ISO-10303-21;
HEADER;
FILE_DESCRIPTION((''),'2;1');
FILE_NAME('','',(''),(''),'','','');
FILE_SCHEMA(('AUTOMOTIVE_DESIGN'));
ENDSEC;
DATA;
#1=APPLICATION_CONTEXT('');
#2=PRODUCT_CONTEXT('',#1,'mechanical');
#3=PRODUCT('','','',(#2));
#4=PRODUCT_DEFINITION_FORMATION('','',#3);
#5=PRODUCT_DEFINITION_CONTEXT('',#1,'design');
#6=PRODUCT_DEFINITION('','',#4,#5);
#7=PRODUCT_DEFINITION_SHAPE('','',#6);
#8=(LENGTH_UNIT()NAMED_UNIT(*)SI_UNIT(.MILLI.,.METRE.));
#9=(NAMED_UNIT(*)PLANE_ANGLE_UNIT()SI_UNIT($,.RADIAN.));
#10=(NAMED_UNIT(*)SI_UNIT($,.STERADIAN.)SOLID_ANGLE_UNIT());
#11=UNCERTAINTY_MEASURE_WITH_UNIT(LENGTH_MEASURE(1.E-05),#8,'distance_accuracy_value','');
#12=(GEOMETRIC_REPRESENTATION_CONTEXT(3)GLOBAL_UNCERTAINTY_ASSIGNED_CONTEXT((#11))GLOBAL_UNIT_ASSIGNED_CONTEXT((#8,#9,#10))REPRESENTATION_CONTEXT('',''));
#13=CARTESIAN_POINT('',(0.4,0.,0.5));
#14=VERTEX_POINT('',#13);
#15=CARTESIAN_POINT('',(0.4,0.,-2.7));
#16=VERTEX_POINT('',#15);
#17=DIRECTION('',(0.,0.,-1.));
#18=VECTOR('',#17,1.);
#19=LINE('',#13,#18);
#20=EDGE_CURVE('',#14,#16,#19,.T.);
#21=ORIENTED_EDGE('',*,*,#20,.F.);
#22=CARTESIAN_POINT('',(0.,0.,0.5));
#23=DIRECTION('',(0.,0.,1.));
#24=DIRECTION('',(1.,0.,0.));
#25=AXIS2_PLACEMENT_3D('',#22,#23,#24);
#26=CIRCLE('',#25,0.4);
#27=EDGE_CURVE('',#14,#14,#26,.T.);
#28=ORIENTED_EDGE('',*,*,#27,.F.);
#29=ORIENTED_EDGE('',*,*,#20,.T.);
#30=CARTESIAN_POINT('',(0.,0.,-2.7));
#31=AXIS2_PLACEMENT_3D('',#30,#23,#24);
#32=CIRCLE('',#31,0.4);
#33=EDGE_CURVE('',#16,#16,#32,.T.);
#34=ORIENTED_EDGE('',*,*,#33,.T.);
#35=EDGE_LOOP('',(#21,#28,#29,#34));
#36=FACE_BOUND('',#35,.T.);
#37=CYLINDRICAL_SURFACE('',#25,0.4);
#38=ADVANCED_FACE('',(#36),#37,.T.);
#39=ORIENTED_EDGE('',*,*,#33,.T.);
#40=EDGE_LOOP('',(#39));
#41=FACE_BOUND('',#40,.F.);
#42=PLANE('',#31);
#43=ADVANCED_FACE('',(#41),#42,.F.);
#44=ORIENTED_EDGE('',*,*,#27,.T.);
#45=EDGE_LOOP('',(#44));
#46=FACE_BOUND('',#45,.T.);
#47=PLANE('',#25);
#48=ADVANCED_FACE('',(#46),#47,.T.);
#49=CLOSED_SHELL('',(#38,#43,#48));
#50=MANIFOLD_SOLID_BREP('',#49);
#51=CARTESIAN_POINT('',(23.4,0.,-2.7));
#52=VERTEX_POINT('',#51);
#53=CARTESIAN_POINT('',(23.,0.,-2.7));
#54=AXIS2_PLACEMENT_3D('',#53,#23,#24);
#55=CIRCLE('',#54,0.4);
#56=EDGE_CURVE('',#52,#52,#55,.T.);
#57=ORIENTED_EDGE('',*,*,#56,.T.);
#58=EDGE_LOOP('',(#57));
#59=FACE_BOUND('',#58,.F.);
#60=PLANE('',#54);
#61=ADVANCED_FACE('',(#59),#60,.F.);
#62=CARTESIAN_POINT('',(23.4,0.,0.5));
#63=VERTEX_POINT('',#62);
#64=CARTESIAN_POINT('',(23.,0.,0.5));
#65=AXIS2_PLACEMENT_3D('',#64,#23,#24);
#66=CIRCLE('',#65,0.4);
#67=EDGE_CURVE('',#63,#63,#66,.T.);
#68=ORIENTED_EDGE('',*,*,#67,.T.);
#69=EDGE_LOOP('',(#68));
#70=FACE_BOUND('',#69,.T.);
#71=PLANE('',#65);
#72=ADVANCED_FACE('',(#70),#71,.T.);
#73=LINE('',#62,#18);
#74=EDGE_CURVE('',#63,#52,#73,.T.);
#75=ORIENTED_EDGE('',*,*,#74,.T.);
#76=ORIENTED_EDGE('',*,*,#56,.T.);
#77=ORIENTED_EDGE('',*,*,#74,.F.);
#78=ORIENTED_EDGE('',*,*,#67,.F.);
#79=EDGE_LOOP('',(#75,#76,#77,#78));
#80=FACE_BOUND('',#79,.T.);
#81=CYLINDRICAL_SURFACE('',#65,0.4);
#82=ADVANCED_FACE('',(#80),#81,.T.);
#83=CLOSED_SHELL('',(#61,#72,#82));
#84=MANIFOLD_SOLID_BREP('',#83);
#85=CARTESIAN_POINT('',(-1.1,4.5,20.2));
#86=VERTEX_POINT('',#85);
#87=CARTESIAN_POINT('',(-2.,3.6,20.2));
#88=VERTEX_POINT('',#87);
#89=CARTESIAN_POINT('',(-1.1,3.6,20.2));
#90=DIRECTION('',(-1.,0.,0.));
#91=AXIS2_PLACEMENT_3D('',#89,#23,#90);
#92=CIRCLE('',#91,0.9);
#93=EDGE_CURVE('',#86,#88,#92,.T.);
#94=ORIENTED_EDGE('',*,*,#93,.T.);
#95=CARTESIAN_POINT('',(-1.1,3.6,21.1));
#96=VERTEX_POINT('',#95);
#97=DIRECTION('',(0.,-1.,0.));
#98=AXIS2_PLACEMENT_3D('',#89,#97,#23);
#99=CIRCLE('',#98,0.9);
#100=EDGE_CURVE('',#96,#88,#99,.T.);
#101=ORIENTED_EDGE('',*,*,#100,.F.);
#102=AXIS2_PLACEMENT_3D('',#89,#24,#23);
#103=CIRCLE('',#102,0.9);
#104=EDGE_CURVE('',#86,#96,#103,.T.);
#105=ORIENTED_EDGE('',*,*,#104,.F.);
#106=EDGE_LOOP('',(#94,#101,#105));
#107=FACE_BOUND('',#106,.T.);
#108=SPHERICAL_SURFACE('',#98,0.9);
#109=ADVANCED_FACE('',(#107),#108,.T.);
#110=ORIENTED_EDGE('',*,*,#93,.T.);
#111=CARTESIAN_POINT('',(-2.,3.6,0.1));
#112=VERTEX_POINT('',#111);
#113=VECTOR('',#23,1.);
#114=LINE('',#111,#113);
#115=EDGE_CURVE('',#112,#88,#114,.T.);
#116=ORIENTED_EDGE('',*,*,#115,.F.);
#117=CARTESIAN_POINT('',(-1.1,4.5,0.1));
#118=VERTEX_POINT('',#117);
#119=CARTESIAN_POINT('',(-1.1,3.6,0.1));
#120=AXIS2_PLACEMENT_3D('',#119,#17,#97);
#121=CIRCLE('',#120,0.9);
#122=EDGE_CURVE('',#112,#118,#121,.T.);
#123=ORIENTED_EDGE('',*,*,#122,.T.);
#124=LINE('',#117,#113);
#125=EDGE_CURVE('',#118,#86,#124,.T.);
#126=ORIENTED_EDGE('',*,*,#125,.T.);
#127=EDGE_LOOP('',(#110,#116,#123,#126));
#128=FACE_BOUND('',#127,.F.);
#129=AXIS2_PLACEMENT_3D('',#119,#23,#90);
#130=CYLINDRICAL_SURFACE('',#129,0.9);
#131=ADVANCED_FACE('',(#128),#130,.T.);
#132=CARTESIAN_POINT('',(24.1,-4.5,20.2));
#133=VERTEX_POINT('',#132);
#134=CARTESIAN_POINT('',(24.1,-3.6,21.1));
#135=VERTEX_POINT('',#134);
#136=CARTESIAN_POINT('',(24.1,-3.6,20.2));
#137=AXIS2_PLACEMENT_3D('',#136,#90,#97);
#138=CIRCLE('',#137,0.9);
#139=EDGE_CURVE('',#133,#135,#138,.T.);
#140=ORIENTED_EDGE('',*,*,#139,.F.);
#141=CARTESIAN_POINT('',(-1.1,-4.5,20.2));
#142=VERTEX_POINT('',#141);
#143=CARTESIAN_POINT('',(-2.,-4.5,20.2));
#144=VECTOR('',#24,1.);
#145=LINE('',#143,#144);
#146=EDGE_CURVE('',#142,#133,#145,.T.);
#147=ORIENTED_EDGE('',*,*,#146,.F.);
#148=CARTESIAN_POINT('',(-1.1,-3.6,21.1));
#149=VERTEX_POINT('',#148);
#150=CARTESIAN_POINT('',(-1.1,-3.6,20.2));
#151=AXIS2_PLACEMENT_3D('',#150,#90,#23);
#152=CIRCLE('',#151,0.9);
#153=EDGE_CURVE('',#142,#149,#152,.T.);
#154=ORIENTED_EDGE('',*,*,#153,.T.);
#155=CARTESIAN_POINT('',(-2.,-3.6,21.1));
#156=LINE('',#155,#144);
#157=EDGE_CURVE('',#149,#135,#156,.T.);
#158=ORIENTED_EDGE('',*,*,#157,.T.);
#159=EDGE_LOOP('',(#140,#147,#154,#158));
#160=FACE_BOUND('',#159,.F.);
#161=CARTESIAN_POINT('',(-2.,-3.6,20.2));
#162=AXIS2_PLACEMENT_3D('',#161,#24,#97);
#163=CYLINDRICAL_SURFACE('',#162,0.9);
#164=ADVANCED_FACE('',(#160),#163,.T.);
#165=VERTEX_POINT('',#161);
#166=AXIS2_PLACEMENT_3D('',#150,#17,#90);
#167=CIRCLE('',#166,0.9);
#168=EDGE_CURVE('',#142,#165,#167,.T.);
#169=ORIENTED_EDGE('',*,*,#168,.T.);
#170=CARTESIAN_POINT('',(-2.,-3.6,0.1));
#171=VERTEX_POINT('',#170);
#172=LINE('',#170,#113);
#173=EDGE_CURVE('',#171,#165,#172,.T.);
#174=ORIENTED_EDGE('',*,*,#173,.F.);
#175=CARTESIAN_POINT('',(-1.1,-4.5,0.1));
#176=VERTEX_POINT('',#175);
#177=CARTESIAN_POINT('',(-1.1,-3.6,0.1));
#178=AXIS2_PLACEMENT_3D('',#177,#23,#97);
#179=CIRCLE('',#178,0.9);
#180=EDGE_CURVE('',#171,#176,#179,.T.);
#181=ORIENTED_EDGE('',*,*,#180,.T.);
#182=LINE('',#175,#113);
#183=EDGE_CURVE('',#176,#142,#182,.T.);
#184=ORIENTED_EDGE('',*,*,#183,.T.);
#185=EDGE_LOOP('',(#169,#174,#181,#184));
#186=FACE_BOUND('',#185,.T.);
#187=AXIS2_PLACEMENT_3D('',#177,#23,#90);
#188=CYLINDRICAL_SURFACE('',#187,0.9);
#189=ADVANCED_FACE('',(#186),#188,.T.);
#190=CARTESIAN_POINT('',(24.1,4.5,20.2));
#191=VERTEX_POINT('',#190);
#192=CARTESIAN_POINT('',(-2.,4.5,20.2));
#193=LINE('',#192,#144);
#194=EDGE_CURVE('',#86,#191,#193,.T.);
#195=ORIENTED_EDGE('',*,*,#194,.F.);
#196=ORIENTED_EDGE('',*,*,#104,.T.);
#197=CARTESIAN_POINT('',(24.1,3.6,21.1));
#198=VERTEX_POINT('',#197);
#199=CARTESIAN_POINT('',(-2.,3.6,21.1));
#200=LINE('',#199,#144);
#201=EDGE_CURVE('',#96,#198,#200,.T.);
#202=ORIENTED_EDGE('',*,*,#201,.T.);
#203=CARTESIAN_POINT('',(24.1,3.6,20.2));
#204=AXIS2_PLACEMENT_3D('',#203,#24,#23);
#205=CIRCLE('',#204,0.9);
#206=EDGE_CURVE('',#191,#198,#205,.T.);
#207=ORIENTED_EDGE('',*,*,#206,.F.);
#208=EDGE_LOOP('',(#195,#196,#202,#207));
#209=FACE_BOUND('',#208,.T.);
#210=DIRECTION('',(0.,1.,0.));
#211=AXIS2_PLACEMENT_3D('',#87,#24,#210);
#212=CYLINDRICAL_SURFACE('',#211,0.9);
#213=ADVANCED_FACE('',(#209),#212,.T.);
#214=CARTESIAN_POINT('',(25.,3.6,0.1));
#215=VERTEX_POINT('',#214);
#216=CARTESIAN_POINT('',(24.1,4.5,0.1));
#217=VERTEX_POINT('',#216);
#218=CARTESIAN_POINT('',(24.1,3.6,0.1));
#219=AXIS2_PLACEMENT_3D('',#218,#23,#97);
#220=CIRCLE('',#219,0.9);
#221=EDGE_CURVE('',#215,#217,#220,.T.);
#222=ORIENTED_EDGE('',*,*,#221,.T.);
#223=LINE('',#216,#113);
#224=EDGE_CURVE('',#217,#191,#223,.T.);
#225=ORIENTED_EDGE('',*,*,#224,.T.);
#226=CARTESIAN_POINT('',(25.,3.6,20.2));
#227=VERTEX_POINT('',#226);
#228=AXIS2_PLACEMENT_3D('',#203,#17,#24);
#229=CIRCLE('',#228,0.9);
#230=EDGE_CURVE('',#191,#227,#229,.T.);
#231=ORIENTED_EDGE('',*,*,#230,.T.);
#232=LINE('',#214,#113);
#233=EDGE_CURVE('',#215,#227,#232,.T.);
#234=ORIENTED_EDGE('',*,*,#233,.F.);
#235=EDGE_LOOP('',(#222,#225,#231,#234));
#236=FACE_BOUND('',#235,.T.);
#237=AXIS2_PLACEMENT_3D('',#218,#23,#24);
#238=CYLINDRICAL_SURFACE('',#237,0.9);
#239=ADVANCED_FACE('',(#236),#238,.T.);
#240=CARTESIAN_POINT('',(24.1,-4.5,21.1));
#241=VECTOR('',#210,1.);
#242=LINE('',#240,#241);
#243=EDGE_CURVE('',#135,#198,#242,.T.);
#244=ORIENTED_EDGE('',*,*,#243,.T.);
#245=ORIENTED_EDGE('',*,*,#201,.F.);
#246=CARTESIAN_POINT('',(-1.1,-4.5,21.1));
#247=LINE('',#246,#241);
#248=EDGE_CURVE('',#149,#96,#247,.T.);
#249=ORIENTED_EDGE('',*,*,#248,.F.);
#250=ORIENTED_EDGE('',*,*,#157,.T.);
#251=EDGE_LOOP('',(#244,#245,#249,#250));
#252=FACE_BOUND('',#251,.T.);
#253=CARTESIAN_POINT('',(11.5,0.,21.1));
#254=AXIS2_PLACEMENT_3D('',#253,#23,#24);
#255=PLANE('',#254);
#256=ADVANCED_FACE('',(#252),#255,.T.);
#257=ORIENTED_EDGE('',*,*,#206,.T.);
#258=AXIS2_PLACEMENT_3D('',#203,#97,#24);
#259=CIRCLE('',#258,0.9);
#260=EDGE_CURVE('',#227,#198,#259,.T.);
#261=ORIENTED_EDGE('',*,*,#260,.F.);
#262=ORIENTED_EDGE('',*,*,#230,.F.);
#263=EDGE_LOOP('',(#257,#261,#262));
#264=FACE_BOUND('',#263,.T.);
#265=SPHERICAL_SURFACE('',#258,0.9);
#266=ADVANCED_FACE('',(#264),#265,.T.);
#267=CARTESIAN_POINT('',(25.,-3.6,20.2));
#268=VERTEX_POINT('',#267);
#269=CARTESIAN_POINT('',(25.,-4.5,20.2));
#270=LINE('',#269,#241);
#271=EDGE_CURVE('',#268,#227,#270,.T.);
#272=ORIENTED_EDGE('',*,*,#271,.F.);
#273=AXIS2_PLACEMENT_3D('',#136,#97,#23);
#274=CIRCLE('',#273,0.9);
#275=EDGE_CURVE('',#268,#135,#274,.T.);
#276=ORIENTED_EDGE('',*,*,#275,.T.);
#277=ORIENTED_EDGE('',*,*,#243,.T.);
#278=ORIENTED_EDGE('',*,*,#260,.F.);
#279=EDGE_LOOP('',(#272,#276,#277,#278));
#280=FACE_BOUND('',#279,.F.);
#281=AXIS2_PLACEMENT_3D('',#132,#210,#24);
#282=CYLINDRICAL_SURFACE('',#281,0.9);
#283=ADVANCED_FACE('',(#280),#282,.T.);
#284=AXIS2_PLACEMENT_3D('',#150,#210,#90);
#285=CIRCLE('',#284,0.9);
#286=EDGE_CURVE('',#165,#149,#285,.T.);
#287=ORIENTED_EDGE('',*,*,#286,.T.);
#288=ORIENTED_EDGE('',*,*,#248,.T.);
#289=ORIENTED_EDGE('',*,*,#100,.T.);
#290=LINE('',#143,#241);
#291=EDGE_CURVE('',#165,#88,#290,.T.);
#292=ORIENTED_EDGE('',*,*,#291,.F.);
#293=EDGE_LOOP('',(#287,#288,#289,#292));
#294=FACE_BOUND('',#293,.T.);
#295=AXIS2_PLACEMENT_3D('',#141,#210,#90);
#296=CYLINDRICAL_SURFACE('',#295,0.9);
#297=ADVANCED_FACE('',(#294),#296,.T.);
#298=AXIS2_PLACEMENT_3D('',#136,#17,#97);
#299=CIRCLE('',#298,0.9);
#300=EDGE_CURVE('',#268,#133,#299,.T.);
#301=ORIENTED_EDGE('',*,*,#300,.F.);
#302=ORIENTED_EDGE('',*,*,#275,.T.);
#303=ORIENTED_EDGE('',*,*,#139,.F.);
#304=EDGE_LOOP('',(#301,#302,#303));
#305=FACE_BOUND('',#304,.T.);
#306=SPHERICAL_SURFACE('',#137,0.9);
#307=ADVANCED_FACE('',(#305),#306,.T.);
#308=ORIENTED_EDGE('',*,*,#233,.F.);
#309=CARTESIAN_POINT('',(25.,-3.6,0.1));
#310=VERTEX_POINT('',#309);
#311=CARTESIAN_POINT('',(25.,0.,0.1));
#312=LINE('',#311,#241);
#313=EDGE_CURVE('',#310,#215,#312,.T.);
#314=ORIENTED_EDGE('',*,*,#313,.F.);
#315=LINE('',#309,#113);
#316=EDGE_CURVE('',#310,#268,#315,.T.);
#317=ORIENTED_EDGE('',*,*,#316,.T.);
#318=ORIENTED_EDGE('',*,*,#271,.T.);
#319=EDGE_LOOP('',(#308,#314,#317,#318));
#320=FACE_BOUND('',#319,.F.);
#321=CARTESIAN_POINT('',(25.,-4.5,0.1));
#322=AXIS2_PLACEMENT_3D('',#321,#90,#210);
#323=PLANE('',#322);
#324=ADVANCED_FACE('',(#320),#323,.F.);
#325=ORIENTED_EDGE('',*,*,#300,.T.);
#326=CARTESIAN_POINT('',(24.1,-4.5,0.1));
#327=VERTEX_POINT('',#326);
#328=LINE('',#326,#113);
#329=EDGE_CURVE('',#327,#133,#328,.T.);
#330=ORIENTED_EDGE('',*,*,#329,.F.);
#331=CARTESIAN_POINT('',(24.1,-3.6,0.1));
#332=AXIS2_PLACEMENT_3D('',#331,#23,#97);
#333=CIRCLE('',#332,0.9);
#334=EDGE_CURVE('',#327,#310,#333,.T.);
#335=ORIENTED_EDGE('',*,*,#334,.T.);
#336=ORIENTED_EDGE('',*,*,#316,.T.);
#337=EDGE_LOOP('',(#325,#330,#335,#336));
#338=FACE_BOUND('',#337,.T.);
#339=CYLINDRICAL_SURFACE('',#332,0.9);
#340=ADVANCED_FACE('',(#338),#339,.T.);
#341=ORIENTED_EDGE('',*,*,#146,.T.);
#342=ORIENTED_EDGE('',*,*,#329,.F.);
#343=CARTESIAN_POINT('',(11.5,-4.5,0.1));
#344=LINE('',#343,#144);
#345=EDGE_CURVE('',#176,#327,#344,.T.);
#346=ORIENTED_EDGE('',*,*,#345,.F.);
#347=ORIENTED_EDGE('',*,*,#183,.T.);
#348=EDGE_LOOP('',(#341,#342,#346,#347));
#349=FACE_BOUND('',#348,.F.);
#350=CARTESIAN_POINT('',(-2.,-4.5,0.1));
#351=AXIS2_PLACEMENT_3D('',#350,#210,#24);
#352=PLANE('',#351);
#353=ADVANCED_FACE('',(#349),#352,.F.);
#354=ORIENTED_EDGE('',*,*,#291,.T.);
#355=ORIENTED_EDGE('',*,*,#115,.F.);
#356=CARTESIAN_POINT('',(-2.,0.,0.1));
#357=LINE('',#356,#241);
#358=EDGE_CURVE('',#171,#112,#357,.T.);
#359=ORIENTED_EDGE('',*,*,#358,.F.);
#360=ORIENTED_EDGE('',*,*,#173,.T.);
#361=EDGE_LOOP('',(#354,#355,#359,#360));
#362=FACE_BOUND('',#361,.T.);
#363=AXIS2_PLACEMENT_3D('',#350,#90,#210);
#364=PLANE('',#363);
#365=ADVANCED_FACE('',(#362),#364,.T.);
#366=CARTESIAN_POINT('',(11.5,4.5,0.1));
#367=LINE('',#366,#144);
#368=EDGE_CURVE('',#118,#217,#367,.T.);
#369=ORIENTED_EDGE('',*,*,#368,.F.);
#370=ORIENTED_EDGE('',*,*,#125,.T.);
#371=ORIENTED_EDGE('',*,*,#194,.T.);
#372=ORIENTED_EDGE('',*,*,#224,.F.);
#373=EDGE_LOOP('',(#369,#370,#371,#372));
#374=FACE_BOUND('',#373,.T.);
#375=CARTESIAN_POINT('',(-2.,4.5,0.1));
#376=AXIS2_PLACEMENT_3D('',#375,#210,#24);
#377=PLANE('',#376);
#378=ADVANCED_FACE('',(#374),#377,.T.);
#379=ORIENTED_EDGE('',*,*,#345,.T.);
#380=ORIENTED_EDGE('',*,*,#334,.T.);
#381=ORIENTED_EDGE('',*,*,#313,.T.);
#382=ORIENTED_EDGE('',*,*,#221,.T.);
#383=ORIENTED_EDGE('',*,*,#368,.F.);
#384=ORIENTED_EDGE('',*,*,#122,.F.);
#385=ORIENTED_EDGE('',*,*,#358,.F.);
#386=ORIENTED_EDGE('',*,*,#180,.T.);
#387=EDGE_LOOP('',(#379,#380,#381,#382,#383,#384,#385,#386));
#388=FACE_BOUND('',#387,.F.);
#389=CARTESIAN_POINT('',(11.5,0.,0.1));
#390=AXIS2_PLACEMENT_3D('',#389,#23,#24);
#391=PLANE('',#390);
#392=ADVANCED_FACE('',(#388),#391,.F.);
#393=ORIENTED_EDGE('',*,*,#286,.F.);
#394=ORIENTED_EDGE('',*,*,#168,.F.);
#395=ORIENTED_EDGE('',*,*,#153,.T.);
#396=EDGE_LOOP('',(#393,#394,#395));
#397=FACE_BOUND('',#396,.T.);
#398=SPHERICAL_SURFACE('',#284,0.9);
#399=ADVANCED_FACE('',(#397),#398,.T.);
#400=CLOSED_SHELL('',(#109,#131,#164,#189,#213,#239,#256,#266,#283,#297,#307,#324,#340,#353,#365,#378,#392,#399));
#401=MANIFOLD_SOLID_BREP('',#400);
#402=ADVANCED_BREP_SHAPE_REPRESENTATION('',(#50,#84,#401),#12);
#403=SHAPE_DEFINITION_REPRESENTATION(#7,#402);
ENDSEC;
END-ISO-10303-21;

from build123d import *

# Parameters (mm, degrees)
SKETCH_W     = 27
SKETCH_H     = 9
PAD_DEPTH    = 21
FILLET_R     = 0.9
SKETCH001_R  = 0.4
PAD001_DEPTH = 3.2


with BuildPart() as fillet_body:
    # Sketch → Pad (new body)
    with BuildSketch(Plane.XY.offset(0.1)):
        with Locations((11.5, 0)):
            Rectangle(SKETCH_W, SKETCH_H)
    extrude(amount=PAD_DEPTH)

    # Fillet
    fillet_edges = [fillet_body.edges().sort_by_distance(p)[0] for p in [
        (-2, 0, 21.1),
        (-2, -4.5, 10.6),
        (11.5, -4.5, 21.1),
        (25, -4.5, 10.6),
        (25, 0, 21.1),
        (25, 4.5, 10.6),
        (11.5, 4.5, 21.1),
        (-2, 4.5, 10.6),
    ]]
    fillet(fillet_edges, radius=FILLET_R)


with BuildPart() as pad001:
    # Sketch001 → Pad001 (new body)
    with BuildSketch(Plane.XY.offset(0.5)):
        Circle(SKETCH001_R)
        with Locations((23, 0)):
            Circle(SKETCH001_R)
    extrude(amount=-PAD001_DEPTH)


solid = Compound([fillet_body.part, pad001.part])
